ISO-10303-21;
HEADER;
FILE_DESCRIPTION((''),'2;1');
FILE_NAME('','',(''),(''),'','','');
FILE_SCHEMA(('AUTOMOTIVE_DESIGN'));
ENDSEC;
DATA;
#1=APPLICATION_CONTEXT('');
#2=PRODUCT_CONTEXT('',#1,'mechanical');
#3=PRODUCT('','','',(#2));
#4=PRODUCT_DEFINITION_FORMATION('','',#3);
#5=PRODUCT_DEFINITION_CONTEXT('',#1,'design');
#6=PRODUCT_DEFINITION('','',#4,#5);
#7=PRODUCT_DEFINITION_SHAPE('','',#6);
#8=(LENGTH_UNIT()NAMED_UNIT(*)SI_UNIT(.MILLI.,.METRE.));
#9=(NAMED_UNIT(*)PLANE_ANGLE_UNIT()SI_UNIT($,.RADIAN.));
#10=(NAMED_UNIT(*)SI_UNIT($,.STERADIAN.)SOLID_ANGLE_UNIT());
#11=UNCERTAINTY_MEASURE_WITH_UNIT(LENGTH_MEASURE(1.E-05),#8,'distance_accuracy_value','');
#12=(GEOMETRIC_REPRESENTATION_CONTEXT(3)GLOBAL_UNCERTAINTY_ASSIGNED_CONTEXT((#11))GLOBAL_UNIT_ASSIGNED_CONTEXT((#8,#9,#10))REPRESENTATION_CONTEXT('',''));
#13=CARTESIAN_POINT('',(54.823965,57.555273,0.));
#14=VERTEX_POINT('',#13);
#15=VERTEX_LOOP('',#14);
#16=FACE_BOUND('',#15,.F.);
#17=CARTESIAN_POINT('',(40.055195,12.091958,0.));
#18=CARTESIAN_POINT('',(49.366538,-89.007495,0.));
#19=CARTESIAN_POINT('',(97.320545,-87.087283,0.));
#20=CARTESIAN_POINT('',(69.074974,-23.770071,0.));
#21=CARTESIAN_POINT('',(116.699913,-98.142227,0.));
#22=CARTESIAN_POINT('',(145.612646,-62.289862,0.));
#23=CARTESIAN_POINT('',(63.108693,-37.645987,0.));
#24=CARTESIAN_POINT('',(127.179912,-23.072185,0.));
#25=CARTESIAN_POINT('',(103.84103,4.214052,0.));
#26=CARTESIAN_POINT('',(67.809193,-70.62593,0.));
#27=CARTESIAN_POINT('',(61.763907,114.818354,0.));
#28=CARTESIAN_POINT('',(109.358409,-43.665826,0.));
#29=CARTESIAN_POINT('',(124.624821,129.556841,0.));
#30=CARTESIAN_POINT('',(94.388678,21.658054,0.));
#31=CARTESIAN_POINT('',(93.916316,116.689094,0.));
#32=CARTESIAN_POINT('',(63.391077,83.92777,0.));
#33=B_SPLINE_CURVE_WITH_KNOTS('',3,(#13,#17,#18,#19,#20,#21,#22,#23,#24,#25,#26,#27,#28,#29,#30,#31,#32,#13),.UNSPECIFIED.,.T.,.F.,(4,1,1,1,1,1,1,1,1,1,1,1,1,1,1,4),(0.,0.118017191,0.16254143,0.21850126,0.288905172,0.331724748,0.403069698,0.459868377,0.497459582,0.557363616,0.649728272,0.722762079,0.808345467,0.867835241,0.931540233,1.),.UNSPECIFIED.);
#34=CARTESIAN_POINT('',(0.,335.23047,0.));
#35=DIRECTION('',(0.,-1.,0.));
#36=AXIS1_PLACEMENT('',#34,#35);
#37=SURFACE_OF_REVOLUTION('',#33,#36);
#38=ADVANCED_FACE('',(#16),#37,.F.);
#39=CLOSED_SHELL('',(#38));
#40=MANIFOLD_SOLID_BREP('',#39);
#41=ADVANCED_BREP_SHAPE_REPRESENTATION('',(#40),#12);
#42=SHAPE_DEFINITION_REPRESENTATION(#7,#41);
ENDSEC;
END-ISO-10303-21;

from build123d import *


with BuildPart() as f2:
    # F0 (on Top) → F2 (revolve)
    with BuildSketch(Plane.XY):
        with BuildLine():
            add(Edge.make_bspline(
                [(54.8239648342, 57.5552731752), (40.0551949916, 12.0919580438), (49.3665384219, -89.00749515), (97.3205450287, -87.0872831082), (69.0749739488, -23.7700706044), (116.6999134038, -98.1422269831), (145.6126459707, -62.2898619666), (63.1086930129, -37.6459868484), (127.1799123356, -23.07218547), (103.8410296226, 4.2140516485), (67.8091929844, -70.6259298852), (61.7639068685, 114.818353969), (109.3584093567, -43.6658256935), (124.6248209942, 129.5568405101), (94.3886781495, 21.6580543975), (93.9163156926, 116.6890943483), (63.3910771969, 83.9277695483), (54.8239648342, 57.5552731752)],
                knots=[0, 0, 0, 0, 0.1180171914, 0.16254143, 0.2185012603, 0.2889051721, 0.3317247478, 0.4030696982, 0.4598683773, 0.4974595817, 0.5573636158, 0.6497282719, 0.7227620789, 0.8083454666, 0.8678352405, 0.9315402332, 1, 1, 1, 1], degree=3))
        make_face()
    revolve(axis=Axis((0, 335.2304697037, 0), (0, -1, 0)))


solid = f2.part
